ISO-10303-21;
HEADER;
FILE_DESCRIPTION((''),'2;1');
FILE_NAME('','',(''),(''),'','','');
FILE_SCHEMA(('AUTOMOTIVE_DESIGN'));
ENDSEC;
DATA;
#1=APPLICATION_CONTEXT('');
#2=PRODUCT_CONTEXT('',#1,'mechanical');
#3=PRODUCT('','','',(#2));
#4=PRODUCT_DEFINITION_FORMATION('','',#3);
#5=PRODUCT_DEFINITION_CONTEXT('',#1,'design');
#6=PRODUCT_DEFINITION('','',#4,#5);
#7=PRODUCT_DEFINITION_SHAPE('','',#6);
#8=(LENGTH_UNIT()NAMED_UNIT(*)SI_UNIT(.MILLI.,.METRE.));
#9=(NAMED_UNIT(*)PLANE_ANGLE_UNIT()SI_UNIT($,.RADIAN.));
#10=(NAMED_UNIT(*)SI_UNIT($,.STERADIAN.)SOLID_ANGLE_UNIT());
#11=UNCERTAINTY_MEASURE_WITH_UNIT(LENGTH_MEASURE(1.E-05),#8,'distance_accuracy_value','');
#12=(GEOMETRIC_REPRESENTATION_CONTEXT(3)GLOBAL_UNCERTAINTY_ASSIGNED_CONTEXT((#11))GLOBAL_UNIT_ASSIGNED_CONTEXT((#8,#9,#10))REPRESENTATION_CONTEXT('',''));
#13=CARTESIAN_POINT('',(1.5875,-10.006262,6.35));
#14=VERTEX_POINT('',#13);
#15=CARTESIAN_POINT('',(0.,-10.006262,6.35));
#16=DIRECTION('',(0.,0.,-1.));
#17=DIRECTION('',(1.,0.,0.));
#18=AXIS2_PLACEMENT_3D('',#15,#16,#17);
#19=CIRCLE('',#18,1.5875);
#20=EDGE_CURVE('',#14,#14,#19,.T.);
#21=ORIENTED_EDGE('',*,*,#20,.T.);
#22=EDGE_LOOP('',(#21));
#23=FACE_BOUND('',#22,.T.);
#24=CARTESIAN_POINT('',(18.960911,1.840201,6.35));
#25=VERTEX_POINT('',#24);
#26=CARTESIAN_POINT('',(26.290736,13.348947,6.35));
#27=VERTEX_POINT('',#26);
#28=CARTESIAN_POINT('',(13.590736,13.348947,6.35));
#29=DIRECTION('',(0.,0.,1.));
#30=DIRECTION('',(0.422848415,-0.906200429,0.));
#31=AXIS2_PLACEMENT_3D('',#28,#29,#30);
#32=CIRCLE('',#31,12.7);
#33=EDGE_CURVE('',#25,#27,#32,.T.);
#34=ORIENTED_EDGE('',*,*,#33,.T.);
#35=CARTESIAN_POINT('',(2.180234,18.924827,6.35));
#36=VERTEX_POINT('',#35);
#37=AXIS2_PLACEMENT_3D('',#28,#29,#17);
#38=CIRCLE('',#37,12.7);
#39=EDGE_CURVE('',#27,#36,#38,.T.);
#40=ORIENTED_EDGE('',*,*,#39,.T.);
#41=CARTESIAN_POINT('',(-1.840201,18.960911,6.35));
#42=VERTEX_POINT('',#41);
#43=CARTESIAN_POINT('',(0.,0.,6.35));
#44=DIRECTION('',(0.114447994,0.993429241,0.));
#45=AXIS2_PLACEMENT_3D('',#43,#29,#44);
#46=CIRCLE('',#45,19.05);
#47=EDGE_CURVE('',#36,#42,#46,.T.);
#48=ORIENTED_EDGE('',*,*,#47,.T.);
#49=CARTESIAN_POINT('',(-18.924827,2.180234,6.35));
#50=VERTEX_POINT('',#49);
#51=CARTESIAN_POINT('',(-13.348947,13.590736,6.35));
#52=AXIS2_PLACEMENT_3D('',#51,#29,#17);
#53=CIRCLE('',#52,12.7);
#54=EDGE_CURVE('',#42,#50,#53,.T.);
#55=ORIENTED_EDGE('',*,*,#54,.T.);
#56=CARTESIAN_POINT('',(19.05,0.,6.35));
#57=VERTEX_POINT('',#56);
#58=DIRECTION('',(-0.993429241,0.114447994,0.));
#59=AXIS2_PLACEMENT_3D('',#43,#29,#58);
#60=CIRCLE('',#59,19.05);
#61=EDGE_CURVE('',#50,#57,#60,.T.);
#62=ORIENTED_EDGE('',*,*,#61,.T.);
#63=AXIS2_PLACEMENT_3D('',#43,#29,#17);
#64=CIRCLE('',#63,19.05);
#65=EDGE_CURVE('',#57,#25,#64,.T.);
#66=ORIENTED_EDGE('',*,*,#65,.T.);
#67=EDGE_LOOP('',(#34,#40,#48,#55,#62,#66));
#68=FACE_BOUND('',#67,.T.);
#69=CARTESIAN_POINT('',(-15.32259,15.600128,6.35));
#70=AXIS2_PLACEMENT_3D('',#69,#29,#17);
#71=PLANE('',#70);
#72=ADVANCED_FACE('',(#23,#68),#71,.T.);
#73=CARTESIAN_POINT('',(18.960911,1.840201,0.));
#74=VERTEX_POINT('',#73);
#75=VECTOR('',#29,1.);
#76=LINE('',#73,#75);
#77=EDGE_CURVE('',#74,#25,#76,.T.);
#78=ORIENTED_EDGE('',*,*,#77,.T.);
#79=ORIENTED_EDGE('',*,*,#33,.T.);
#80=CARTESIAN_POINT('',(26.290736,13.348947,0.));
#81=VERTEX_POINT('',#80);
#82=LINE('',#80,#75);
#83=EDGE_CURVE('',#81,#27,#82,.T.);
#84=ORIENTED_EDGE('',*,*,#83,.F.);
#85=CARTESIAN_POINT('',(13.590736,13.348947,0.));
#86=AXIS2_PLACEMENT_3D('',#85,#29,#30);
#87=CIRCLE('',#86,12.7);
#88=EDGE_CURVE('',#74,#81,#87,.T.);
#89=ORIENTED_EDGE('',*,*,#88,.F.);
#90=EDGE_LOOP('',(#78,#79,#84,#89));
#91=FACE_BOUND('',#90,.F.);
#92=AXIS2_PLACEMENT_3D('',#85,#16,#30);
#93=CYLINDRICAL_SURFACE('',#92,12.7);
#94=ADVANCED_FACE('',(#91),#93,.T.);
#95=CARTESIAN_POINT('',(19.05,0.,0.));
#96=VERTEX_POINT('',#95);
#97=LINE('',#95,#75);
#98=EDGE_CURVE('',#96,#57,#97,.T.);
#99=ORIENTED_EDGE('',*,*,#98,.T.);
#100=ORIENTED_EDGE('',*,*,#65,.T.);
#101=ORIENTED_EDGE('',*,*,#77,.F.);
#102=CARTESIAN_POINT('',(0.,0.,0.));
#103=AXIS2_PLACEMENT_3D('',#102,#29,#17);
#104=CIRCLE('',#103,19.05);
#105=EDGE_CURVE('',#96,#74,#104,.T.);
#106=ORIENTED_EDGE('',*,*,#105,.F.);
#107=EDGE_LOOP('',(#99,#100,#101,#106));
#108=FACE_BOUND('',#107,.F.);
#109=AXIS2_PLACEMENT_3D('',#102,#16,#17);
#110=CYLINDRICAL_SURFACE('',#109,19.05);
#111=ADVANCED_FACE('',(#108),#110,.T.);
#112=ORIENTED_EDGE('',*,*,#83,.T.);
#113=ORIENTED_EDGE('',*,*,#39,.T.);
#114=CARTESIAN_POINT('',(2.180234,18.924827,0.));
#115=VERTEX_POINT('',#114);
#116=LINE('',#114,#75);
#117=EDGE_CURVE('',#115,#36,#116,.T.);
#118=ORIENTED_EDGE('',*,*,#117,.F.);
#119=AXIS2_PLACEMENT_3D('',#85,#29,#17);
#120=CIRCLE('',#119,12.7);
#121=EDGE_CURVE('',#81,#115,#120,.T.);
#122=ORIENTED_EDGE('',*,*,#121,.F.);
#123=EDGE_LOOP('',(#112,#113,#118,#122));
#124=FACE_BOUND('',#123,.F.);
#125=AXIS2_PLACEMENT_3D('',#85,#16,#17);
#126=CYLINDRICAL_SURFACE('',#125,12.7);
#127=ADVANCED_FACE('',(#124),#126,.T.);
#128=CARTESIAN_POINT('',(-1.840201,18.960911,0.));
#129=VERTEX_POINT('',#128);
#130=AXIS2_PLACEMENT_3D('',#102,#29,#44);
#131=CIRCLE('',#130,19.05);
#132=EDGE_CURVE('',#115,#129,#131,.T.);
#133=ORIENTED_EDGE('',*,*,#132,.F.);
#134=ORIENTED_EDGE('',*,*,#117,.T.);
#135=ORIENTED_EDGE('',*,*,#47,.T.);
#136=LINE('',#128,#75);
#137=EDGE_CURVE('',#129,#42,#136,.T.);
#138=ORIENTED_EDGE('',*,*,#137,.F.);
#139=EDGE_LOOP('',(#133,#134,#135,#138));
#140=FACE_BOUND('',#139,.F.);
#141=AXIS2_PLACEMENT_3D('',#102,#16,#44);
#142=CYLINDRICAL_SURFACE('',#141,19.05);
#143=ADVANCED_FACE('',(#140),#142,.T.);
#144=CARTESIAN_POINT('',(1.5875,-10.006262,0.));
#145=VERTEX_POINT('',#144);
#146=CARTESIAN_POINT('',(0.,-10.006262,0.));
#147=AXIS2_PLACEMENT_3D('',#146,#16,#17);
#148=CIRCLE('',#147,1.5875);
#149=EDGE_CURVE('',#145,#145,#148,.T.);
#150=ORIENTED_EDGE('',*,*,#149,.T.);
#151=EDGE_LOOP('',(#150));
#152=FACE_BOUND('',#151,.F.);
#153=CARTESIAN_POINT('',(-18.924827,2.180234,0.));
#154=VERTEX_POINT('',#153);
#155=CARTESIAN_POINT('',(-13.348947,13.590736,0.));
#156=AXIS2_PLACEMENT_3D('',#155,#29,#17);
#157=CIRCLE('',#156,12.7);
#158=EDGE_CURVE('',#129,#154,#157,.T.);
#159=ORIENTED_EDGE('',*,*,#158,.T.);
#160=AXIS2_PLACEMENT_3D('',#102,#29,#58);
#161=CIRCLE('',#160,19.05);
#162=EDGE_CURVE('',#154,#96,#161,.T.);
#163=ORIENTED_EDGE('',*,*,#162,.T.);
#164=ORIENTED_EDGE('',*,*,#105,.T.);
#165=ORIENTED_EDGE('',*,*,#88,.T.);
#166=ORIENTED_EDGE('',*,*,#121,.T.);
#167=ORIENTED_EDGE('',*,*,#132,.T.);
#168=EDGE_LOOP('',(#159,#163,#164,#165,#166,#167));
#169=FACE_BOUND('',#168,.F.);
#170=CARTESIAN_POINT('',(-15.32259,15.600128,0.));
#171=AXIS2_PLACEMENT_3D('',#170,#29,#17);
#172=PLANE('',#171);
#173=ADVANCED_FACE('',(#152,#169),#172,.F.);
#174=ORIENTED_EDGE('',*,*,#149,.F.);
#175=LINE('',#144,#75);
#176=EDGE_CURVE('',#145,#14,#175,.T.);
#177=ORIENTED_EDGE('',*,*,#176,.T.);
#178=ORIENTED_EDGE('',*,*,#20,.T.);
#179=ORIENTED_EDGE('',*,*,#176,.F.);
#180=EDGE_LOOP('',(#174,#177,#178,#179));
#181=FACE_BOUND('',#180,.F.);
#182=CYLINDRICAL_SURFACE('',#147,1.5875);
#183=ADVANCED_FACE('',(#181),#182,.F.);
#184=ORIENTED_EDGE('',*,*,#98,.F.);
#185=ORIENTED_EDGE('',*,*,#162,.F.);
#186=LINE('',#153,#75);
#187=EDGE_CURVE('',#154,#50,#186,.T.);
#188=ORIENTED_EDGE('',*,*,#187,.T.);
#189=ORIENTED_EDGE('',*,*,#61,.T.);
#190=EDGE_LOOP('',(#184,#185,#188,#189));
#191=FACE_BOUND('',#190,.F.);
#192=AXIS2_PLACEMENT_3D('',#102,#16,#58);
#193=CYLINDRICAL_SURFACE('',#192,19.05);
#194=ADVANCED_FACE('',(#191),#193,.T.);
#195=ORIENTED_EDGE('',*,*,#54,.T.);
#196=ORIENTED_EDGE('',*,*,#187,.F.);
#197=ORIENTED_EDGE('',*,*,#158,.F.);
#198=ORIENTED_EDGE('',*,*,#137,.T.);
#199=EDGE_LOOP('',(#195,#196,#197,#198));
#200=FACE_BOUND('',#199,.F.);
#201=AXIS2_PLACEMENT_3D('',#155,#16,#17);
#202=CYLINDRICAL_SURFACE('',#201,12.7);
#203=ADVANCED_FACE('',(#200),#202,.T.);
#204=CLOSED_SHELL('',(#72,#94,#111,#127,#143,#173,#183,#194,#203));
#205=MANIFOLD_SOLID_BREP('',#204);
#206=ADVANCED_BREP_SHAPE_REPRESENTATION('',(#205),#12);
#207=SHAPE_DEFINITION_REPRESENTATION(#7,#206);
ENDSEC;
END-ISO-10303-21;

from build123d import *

# Parameters (mm, degrees)
F1_DEPTH = 6.35
F2_R     = 1.5875
F3_DEPTH = 6.35


with BuildPart() as f1:
    # F0 (on Top) → F1 (new body)
    with BuildSketch(Plane.XY):
        with BuildLine():
            ThreePointArc((-1.8402014017, 18.9609113389), (-22.248244758, 22.6512274543), (-18.9248270392, 2.1802342852))
            ThreePointArc((-18.9248270392, 2.1802342852), (-13.3489468548, 13.5907364726), (-1.8402014017, 18.9609113389))
        make_face()
        with BuildLine():
            ThreePointArc((-1.8402014017, 18.9609113389), (-13.3489468548, 13.5907364726), (-18.9248270392, 2.1802342852))
            ThreePointArc((-18.9248270392, 2.1802342852), (-6.6230148875, 2.8180005541), (-0.6489468548, 13.5907364726))
            ThreePointArc((-0.6489468548, 13.5907364726), (-0.9503367058, 16.3410939716), (-1.8402014017, 18.9609113389))
        make_face()
        with BuildLine():
            ThreePointArc((2.1802342852, 18.9248270392), (4.5302454909, 4.4496489516), (18.9609113389, 1.8402014017))
            ThreePointArc((18.9609113389, 1.8402014017), (13.5907364726, 13.3489468548), (2.1802342852, 18.9248270392))
        make_face()
        with BuildLine():
            ThreePointArc((2.1802342852, 18.9248270392), (13.5907364726, 13.3489468548), (18.9609113389, 1.8402014017))
            ThreePointArc((18.9609113389, 1.8402014017), (24.3026742245, 6.5266019794), (26.2907364726, 13.3489468548))
            ThreePointArc((26.2907364726, 13.3489468548), (16.4522589886, 25.7223735786), (2.1802342852, 18.9248270392))
        make_face()
        with BuildLine():
            ThreePointArc((-18.9248270392, 2.1802342852), (-1.0919122914, -19.0186810149), (19.05, 0))
            ThreePointArc((19.05, 0), (19.0277147998, 0.9211783199), (18.9609113389, 1.8402014017))
            ThreePointArc((18.9609113389, 1.8402014017), (4.5302454909, 4.4496489516), (2.1802342852, 18.9248270392))
            ThreePointArc((2.1802342852, 18.9248270392), (0.1709710784, 19.0492327638), (-1.8402014017, 18.9609113389))
            ThreePointArc((-1.8402014017, 18.9609113389), (-0.9503367058, 16.3410939716), (-0.6489468548, 13.5907364726))
            ThreePointArc((-0.6489468548, 13.5907364726), (-6.6230148875, 2.8180005541), (-18.9248270392, 2.1802342852))
        make_face()
    extrude(amount=F1_DEPTH)

    # F2 (on face) → F3 (cut, through all)
    with BuildSketch(Plane(origin=(0, 0, 0), x_dir=(1, 0, 0), z_dir=(0, 0, -1))):
        with Locations((0, 10.0062619895)):
            Circle(F2_R)
    extrude(amount=-F3_DEPTH, mode=Mode.SUBTRACT)


solid = f1.part
